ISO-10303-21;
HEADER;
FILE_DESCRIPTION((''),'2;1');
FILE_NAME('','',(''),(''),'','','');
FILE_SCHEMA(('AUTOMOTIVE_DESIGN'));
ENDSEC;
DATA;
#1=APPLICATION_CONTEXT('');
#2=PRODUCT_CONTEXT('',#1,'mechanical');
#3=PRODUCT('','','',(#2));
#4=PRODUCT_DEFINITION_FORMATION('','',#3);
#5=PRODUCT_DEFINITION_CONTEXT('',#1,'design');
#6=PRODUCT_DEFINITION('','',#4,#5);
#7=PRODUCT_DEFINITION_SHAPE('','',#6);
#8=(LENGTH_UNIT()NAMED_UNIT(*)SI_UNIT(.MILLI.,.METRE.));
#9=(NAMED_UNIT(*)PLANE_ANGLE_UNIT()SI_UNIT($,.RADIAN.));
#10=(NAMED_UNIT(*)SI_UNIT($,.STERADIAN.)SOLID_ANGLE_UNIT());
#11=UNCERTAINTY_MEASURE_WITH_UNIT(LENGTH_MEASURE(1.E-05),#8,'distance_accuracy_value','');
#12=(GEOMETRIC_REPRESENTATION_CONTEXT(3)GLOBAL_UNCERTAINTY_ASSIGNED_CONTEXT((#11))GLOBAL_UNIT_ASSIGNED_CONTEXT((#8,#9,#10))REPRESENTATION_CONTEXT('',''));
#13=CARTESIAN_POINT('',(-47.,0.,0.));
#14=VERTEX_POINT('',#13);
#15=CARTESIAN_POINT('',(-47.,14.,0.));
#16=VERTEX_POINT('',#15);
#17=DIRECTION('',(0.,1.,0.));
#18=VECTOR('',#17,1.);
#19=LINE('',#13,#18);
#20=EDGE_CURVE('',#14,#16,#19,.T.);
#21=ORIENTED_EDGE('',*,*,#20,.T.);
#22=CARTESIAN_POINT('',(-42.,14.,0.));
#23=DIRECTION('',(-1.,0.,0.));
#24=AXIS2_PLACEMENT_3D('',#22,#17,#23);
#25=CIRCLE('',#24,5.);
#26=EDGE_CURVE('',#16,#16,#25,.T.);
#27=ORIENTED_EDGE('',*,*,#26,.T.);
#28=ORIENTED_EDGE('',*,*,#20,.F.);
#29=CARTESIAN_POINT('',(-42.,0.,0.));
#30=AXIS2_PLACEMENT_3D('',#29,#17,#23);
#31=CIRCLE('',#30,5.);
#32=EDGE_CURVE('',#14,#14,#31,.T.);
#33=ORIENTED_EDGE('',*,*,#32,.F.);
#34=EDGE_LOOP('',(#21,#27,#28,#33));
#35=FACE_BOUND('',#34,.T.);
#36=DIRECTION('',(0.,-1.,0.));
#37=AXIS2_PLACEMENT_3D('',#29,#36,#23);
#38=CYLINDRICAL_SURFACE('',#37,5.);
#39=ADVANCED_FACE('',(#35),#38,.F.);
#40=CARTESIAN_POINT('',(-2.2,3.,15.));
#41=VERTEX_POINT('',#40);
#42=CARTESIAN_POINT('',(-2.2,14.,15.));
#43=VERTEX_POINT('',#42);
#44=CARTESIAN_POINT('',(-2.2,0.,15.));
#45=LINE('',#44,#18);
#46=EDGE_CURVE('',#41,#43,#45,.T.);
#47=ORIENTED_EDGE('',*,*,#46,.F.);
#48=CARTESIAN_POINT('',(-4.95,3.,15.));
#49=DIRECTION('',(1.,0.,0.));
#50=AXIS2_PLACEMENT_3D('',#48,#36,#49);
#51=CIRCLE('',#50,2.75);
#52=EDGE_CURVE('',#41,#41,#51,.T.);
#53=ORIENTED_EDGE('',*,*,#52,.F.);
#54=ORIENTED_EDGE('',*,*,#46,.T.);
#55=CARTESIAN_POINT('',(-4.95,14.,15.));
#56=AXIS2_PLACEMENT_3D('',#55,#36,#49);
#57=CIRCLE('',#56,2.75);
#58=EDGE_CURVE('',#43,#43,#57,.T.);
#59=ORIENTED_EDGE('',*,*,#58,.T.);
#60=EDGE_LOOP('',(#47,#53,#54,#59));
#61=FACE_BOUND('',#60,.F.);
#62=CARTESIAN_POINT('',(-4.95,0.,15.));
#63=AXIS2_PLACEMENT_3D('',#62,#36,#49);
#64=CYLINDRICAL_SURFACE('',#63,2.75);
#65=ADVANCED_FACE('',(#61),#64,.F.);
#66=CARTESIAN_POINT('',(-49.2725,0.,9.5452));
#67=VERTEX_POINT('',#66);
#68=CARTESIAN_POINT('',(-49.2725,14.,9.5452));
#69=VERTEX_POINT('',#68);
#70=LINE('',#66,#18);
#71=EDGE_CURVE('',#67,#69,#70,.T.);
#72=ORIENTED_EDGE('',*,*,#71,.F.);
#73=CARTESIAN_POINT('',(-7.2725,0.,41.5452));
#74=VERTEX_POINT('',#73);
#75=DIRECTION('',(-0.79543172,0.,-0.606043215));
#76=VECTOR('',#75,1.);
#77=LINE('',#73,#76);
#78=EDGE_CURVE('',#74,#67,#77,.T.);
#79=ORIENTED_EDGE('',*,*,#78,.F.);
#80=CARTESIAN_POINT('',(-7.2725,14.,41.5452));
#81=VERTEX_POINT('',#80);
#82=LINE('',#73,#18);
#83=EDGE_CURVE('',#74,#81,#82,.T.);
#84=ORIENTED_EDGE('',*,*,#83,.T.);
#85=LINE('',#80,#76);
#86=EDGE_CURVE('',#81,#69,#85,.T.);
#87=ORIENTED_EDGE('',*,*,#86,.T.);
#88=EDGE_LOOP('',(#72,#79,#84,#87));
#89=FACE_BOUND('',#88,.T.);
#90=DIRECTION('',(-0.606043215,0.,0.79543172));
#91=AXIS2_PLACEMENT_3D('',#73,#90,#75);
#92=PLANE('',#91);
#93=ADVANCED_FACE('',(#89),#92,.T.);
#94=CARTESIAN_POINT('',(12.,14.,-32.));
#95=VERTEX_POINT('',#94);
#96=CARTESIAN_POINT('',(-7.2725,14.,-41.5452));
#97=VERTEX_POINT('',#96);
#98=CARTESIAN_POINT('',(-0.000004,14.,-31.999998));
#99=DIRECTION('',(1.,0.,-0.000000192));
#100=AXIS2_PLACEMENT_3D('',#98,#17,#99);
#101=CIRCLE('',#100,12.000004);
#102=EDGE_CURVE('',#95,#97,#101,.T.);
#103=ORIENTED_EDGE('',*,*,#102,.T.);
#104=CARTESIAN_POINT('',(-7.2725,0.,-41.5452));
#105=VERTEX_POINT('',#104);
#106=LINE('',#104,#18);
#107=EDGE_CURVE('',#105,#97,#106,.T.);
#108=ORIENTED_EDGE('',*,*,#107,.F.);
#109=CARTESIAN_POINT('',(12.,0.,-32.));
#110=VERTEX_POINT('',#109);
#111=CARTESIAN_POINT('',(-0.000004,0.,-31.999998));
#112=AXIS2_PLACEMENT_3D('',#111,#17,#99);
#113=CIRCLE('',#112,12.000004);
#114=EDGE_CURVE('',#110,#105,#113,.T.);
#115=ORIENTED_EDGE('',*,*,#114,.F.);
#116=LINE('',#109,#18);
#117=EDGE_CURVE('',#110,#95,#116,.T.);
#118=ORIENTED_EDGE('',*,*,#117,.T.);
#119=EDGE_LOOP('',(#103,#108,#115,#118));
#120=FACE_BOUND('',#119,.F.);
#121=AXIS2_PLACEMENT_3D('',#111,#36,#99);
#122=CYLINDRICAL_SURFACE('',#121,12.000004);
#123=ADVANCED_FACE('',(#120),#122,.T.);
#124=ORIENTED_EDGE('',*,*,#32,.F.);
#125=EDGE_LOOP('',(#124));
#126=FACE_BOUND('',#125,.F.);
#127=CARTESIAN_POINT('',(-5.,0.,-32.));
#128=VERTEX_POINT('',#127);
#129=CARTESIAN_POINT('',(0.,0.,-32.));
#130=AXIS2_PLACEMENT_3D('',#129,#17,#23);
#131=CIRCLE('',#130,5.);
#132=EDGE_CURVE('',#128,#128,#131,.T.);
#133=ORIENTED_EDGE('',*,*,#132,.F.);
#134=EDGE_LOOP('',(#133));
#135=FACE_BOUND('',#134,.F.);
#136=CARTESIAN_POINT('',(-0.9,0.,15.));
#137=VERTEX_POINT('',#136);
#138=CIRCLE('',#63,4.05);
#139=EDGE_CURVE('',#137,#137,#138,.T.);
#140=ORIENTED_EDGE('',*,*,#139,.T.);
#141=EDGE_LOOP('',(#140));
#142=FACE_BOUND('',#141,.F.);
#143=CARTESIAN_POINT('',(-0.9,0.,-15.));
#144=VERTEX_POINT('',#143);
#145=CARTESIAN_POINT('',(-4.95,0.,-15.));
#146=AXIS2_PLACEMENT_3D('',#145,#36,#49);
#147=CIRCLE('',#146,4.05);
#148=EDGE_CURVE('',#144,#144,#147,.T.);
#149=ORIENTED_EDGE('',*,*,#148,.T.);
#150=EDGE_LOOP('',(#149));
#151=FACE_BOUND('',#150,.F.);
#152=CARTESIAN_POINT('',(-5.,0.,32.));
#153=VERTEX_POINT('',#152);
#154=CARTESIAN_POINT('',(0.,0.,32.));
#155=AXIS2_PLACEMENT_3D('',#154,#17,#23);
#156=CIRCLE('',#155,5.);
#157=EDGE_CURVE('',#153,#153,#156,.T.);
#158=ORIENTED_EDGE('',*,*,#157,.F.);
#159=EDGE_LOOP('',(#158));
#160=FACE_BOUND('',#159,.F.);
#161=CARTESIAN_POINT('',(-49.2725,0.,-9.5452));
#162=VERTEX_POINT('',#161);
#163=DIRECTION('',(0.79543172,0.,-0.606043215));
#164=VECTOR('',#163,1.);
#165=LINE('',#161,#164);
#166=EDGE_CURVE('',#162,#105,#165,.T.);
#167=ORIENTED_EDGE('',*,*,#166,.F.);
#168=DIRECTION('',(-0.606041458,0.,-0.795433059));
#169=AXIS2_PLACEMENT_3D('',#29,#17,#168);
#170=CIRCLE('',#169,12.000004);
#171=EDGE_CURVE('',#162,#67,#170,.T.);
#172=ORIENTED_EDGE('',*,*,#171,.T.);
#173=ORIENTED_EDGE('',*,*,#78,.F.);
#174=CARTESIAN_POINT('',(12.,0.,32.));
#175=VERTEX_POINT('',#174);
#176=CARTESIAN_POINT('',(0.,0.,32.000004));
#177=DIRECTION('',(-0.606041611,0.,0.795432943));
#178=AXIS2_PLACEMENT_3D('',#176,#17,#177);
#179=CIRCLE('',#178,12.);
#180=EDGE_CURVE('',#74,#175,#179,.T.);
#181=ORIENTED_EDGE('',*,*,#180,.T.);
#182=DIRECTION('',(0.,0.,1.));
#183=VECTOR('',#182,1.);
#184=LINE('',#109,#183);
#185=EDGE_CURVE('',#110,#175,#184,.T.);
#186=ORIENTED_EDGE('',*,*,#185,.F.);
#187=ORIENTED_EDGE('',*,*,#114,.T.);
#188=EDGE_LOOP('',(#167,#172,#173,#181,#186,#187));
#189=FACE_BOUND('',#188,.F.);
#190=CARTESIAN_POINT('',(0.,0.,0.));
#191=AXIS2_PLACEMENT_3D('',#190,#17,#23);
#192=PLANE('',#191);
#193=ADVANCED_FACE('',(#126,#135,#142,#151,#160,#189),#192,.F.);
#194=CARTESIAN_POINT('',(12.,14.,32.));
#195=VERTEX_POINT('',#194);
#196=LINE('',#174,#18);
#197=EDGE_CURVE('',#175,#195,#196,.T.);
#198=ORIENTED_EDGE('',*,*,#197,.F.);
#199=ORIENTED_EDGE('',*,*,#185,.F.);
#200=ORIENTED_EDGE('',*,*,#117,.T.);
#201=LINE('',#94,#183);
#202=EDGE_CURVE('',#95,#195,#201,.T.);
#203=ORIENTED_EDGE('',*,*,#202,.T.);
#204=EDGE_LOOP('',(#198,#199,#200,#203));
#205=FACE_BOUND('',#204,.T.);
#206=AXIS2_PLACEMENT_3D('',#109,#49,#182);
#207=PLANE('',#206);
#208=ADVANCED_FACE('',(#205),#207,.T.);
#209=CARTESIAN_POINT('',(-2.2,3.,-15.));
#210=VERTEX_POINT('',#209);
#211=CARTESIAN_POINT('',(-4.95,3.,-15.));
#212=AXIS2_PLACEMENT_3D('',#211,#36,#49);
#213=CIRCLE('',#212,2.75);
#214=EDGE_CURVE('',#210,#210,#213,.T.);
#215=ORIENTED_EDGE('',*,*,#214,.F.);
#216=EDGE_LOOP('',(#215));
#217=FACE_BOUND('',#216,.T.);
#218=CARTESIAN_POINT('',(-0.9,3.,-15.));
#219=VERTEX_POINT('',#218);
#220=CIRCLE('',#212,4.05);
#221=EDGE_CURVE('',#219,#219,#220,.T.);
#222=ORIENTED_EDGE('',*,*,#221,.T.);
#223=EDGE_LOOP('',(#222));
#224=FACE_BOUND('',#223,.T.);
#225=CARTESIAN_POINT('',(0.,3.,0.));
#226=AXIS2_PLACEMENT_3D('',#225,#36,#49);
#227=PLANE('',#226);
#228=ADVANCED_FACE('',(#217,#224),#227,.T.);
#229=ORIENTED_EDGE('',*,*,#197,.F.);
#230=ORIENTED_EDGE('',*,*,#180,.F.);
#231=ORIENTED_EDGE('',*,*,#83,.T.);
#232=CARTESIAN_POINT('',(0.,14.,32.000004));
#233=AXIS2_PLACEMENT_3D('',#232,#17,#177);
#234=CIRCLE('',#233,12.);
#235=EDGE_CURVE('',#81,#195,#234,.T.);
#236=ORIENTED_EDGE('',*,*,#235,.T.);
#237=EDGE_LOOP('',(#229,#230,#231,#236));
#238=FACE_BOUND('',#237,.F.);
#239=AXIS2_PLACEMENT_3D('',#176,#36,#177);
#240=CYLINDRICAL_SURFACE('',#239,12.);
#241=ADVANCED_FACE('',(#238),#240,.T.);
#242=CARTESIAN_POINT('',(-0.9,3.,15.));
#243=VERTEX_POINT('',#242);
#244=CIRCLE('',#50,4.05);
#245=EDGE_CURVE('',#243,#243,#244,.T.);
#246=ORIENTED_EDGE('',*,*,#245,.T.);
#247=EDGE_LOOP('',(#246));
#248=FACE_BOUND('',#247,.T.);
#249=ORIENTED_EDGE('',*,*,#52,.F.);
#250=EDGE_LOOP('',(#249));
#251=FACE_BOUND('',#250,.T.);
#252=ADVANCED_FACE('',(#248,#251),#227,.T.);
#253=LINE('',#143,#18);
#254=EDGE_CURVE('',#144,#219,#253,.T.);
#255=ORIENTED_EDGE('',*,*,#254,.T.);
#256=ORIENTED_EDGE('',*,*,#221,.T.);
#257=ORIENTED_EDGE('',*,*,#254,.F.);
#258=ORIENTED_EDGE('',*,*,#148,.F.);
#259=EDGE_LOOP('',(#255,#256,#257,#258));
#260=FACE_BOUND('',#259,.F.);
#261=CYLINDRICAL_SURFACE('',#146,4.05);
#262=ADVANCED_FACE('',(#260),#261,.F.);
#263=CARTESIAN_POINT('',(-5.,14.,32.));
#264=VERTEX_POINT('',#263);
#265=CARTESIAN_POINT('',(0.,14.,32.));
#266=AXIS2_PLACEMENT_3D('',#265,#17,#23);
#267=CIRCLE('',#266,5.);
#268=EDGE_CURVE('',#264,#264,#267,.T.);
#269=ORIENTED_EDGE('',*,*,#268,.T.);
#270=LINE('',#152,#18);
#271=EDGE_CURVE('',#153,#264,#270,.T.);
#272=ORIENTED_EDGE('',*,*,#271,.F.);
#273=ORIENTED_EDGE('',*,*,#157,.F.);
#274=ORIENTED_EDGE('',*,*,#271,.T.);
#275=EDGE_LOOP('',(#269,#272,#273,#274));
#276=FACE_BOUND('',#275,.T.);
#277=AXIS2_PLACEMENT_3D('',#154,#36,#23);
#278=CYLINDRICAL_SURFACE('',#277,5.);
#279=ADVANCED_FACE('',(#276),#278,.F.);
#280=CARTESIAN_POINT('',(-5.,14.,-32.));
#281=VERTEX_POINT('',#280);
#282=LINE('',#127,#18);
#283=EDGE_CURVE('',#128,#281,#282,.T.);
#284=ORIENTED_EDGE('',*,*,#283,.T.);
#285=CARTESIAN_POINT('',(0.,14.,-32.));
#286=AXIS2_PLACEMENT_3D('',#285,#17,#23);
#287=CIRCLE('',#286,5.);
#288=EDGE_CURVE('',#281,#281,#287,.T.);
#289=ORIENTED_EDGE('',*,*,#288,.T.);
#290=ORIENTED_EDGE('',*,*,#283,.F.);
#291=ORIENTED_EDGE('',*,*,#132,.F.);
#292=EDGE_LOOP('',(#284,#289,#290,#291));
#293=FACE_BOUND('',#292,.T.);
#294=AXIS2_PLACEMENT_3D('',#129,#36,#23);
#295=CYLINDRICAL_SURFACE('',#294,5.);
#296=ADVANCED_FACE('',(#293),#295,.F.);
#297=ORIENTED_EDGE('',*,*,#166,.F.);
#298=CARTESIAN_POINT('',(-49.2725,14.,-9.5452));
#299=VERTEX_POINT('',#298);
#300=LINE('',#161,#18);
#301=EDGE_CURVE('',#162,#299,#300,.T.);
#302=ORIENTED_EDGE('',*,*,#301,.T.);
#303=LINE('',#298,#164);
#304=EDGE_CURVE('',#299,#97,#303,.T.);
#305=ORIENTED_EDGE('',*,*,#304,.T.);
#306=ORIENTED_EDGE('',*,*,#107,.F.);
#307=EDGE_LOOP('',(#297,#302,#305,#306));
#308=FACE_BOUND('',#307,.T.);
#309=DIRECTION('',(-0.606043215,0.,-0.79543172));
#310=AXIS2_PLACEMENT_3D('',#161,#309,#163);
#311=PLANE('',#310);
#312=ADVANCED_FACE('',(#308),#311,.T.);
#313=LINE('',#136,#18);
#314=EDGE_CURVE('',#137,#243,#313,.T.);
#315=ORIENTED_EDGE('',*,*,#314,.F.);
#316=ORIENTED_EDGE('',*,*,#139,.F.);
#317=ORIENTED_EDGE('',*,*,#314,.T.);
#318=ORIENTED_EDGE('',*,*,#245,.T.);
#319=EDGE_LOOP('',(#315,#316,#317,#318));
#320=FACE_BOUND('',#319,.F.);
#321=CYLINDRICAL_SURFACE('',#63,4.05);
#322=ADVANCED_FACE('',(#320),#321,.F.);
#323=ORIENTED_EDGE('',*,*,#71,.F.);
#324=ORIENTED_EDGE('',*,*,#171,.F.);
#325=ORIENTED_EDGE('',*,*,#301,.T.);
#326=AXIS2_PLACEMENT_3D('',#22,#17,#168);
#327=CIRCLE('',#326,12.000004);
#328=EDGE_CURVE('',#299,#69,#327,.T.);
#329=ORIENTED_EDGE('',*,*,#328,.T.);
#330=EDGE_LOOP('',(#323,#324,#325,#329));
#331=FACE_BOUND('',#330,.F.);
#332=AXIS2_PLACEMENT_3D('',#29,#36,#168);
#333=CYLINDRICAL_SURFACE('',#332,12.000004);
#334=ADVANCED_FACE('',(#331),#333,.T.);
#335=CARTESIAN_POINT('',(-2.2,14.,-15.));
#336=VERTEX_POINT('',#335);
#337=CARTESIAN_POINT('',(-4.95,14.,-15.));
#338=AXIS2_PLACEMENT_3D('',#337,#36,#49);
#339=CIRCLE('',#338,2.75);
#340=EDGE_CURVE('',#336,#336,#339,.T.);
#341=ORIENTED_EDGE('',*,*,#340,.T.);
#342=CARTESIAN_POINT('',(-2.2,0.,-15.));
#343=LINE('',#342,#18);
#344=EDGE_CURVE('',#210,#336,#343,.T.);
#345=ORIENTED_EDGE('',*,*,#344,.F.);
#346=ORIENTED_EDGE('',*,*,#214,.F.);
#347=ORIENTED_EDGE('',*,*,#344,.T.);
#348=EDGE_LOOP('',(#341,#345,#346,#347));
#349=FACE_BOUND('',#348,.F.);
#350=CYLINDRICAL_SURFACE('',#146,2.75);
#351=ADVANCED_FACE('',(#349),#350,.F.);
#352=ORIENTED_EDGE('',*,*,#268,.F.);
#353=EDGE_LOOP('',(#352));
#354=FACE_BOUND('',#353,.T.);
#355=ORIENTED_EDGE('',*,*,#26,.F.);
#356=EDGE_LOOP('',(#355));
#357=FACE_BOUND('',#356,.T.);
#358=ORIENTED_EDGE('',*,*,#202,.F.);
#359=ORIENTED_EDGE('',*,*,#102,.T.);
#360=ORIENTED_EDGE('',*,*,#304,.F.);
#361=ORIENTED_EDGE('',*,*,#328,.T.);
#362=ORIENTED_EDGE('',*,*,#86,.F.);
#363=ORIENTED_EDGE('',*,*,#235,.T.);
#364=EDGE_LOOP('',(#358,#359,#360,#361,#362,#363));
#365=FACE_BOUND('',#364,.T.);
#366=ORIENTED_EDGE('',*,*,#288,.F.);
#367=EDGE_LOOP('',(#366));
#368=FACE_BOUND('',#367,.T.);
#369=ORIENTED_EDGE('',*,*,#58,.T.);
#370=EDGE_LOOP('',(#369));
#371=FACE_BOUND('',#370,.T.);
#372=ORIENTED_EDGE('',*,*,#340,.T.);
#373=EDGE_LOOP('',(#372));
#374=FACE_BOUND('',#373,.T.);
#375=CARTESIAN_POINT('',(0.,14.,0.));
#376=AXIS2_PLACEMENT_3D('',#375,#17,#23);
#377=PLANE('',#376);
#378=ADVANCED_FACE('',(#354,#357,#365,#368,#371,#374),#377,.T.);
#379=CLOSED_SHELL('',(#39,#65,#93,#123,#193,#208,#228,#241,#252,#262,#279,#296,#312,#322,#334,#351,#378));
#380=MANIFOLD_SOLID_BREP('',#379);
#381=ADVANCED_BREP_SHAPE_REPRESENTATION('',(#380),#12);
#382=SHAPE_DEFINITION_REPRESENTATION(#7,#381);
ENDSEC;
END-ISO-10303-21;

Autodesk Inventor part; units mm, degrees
ref_plane "YZ Plane" through (0, 0, 0) normal (1, 0, 0) x (0, 1, 0)
ref_plane "XZ Plane" through (0, 0, 0) normal (0, 1, 0) x (-1, 0, 0)
ref_plane "XY Plane" through (0, 0, 0) normal (0, 0, 1) x (1, 0, 0)
sketch "Sketch1" plane through (0, 0, 0) normal (0, 1, 0) x (-1, 0, 0)
  circle A0 centre (0, 32) radius 5
  circle A1 centre (0, -32) radius 5
  circle A2 centre (42, 0) radius 5
  circle A3 centre (0, -32) radius 12 construction
  circle A4 centre (42, 0) radius 12 construction
  circle A5 centre (0, 32) radius 12 construction
  line L0 (-12, -32) -> (-12, 32)
  line L1 (7.2725, 41.5452) -> (49.2725, 9.5452)
  line L2 (49.2725, -9.5452) -> (7.2725, -41.5452)
  arc A6 (7.2725, 41.5452) -> (-12, 32) centre (0, 32) ccw
  arc A7 (-12, -32) -> (7.2725, -41.5452) centre (0, -32) ccw
  arc A8 (49.2725, -9.5452) -> (49.2725, 9.5452) centre (42, 0) ccw
  point P0 (0, 0)
  dimension "d0" = 10
  dimension "d1" = 64
  dimension "d2" = 32
  dimension "d3" = 24
  dimension "d4" = 42
extrude "Extrusion1" add sketch "Sketch1" along normal blind 14
sketch "Sketch3" plane through (0, 0, 0) normal (0, -1, 0) x (1, 0, 0)
  line L0 (-49.2725, 9.5452) -> (-7.2725, 41.5452) construction
  arc A0 (-49.2725, 9.5452) -> (-49.2725, -9.5452) centre (-42, 0) ccw construction
  line L1 (-7.2725, -41.5452) -> (-49.2725, -9.5452) construction
  arc A1 (-7.2725, -41.5452) -> (12, -32) centre (0, -32) ccw construction
  line L2 (12, 32) -> (12, -32) construction
  arc A2 (12, 32) -> (-7.2725, 41.5452) centre (0, 32) ccw construction
  circle A3 centre (-42, 0) radius 5 construction
  circle A4 centre (0, -32) radius 5 construction
  circle A5 centre (0, 32) radius 5 construction
  line L3 (12, 32) -> (12, -32) construction
  line L4 (12, 0) -> (-42, 0) construction
  line L5 (12, 20) -> (2, 20) construction
  line L6 (2, 20) -> (2, -20) construction
  line L7 (2, -20) -> (12, -20) construction
  line L8 (12, -20) -> (12, 20) construction
  circle A6 centre (-4.95, -15) radius 2.75
  circle A7 centre (-4.95, 15) radius 2.75
  point P0 (0, 0)
  point P1 (7, -20)
  dimension "d7" = 10
  dimension "d8" = 40
  dimension "d9" = 5.5
  dimension "d10" = 5
  dimension "d11" = 6.95
extrude "Extrusion2" cut sketch "Sketch3" against normal through all
sketch "Sketch4" plane through (0, 0, 0) normal (0, -1, 0) x (1, 0, 0)
  circle A0 centre (-4.95, -15) radius 2.75 construction
  circle A1 centre (-4.95, 15) radius 2.75 construction
  line L0 (-49.2725, 9.5452) -> (-7.2725, 41.5452) construction
  arc A2 (-49.2725, 9.5452) -> (-49.2725, -9.5452) centre (-42, 0) ccw construction
  line L1 (-7.2725, -41.5452) -> (-49.2725, -9.5452) construction
  arc A3 (-7.2725, -41.5452) -> (12, -32) centre (0, -32) ccw construction
  line L2 (12, 32) -> (12, -32) construction
  arc A4 (12, 32) -> (-7.2725, 41.5452) centre (0, 32) ccw construction
  circle A5 centre (-42, 0) radius 5 construction
  circle A6 centre (0, -32) radius 5 construction
  circle A7 centre (0, 32) radius 5 construction
  circle A8 centre (-4.95, 15) radius 4.05
  line L3 (-42, 0) -> (0, 0) construction
  circle A9 centre (-4.95, -15) radius 4.05
  dimension "d14" = 8.1
extrude "Extrusion3" cut sketch "Sketch4" against normal blind 3
equation "\"d2\" = 0.5 * d1"
properties part number "base_obj4"
